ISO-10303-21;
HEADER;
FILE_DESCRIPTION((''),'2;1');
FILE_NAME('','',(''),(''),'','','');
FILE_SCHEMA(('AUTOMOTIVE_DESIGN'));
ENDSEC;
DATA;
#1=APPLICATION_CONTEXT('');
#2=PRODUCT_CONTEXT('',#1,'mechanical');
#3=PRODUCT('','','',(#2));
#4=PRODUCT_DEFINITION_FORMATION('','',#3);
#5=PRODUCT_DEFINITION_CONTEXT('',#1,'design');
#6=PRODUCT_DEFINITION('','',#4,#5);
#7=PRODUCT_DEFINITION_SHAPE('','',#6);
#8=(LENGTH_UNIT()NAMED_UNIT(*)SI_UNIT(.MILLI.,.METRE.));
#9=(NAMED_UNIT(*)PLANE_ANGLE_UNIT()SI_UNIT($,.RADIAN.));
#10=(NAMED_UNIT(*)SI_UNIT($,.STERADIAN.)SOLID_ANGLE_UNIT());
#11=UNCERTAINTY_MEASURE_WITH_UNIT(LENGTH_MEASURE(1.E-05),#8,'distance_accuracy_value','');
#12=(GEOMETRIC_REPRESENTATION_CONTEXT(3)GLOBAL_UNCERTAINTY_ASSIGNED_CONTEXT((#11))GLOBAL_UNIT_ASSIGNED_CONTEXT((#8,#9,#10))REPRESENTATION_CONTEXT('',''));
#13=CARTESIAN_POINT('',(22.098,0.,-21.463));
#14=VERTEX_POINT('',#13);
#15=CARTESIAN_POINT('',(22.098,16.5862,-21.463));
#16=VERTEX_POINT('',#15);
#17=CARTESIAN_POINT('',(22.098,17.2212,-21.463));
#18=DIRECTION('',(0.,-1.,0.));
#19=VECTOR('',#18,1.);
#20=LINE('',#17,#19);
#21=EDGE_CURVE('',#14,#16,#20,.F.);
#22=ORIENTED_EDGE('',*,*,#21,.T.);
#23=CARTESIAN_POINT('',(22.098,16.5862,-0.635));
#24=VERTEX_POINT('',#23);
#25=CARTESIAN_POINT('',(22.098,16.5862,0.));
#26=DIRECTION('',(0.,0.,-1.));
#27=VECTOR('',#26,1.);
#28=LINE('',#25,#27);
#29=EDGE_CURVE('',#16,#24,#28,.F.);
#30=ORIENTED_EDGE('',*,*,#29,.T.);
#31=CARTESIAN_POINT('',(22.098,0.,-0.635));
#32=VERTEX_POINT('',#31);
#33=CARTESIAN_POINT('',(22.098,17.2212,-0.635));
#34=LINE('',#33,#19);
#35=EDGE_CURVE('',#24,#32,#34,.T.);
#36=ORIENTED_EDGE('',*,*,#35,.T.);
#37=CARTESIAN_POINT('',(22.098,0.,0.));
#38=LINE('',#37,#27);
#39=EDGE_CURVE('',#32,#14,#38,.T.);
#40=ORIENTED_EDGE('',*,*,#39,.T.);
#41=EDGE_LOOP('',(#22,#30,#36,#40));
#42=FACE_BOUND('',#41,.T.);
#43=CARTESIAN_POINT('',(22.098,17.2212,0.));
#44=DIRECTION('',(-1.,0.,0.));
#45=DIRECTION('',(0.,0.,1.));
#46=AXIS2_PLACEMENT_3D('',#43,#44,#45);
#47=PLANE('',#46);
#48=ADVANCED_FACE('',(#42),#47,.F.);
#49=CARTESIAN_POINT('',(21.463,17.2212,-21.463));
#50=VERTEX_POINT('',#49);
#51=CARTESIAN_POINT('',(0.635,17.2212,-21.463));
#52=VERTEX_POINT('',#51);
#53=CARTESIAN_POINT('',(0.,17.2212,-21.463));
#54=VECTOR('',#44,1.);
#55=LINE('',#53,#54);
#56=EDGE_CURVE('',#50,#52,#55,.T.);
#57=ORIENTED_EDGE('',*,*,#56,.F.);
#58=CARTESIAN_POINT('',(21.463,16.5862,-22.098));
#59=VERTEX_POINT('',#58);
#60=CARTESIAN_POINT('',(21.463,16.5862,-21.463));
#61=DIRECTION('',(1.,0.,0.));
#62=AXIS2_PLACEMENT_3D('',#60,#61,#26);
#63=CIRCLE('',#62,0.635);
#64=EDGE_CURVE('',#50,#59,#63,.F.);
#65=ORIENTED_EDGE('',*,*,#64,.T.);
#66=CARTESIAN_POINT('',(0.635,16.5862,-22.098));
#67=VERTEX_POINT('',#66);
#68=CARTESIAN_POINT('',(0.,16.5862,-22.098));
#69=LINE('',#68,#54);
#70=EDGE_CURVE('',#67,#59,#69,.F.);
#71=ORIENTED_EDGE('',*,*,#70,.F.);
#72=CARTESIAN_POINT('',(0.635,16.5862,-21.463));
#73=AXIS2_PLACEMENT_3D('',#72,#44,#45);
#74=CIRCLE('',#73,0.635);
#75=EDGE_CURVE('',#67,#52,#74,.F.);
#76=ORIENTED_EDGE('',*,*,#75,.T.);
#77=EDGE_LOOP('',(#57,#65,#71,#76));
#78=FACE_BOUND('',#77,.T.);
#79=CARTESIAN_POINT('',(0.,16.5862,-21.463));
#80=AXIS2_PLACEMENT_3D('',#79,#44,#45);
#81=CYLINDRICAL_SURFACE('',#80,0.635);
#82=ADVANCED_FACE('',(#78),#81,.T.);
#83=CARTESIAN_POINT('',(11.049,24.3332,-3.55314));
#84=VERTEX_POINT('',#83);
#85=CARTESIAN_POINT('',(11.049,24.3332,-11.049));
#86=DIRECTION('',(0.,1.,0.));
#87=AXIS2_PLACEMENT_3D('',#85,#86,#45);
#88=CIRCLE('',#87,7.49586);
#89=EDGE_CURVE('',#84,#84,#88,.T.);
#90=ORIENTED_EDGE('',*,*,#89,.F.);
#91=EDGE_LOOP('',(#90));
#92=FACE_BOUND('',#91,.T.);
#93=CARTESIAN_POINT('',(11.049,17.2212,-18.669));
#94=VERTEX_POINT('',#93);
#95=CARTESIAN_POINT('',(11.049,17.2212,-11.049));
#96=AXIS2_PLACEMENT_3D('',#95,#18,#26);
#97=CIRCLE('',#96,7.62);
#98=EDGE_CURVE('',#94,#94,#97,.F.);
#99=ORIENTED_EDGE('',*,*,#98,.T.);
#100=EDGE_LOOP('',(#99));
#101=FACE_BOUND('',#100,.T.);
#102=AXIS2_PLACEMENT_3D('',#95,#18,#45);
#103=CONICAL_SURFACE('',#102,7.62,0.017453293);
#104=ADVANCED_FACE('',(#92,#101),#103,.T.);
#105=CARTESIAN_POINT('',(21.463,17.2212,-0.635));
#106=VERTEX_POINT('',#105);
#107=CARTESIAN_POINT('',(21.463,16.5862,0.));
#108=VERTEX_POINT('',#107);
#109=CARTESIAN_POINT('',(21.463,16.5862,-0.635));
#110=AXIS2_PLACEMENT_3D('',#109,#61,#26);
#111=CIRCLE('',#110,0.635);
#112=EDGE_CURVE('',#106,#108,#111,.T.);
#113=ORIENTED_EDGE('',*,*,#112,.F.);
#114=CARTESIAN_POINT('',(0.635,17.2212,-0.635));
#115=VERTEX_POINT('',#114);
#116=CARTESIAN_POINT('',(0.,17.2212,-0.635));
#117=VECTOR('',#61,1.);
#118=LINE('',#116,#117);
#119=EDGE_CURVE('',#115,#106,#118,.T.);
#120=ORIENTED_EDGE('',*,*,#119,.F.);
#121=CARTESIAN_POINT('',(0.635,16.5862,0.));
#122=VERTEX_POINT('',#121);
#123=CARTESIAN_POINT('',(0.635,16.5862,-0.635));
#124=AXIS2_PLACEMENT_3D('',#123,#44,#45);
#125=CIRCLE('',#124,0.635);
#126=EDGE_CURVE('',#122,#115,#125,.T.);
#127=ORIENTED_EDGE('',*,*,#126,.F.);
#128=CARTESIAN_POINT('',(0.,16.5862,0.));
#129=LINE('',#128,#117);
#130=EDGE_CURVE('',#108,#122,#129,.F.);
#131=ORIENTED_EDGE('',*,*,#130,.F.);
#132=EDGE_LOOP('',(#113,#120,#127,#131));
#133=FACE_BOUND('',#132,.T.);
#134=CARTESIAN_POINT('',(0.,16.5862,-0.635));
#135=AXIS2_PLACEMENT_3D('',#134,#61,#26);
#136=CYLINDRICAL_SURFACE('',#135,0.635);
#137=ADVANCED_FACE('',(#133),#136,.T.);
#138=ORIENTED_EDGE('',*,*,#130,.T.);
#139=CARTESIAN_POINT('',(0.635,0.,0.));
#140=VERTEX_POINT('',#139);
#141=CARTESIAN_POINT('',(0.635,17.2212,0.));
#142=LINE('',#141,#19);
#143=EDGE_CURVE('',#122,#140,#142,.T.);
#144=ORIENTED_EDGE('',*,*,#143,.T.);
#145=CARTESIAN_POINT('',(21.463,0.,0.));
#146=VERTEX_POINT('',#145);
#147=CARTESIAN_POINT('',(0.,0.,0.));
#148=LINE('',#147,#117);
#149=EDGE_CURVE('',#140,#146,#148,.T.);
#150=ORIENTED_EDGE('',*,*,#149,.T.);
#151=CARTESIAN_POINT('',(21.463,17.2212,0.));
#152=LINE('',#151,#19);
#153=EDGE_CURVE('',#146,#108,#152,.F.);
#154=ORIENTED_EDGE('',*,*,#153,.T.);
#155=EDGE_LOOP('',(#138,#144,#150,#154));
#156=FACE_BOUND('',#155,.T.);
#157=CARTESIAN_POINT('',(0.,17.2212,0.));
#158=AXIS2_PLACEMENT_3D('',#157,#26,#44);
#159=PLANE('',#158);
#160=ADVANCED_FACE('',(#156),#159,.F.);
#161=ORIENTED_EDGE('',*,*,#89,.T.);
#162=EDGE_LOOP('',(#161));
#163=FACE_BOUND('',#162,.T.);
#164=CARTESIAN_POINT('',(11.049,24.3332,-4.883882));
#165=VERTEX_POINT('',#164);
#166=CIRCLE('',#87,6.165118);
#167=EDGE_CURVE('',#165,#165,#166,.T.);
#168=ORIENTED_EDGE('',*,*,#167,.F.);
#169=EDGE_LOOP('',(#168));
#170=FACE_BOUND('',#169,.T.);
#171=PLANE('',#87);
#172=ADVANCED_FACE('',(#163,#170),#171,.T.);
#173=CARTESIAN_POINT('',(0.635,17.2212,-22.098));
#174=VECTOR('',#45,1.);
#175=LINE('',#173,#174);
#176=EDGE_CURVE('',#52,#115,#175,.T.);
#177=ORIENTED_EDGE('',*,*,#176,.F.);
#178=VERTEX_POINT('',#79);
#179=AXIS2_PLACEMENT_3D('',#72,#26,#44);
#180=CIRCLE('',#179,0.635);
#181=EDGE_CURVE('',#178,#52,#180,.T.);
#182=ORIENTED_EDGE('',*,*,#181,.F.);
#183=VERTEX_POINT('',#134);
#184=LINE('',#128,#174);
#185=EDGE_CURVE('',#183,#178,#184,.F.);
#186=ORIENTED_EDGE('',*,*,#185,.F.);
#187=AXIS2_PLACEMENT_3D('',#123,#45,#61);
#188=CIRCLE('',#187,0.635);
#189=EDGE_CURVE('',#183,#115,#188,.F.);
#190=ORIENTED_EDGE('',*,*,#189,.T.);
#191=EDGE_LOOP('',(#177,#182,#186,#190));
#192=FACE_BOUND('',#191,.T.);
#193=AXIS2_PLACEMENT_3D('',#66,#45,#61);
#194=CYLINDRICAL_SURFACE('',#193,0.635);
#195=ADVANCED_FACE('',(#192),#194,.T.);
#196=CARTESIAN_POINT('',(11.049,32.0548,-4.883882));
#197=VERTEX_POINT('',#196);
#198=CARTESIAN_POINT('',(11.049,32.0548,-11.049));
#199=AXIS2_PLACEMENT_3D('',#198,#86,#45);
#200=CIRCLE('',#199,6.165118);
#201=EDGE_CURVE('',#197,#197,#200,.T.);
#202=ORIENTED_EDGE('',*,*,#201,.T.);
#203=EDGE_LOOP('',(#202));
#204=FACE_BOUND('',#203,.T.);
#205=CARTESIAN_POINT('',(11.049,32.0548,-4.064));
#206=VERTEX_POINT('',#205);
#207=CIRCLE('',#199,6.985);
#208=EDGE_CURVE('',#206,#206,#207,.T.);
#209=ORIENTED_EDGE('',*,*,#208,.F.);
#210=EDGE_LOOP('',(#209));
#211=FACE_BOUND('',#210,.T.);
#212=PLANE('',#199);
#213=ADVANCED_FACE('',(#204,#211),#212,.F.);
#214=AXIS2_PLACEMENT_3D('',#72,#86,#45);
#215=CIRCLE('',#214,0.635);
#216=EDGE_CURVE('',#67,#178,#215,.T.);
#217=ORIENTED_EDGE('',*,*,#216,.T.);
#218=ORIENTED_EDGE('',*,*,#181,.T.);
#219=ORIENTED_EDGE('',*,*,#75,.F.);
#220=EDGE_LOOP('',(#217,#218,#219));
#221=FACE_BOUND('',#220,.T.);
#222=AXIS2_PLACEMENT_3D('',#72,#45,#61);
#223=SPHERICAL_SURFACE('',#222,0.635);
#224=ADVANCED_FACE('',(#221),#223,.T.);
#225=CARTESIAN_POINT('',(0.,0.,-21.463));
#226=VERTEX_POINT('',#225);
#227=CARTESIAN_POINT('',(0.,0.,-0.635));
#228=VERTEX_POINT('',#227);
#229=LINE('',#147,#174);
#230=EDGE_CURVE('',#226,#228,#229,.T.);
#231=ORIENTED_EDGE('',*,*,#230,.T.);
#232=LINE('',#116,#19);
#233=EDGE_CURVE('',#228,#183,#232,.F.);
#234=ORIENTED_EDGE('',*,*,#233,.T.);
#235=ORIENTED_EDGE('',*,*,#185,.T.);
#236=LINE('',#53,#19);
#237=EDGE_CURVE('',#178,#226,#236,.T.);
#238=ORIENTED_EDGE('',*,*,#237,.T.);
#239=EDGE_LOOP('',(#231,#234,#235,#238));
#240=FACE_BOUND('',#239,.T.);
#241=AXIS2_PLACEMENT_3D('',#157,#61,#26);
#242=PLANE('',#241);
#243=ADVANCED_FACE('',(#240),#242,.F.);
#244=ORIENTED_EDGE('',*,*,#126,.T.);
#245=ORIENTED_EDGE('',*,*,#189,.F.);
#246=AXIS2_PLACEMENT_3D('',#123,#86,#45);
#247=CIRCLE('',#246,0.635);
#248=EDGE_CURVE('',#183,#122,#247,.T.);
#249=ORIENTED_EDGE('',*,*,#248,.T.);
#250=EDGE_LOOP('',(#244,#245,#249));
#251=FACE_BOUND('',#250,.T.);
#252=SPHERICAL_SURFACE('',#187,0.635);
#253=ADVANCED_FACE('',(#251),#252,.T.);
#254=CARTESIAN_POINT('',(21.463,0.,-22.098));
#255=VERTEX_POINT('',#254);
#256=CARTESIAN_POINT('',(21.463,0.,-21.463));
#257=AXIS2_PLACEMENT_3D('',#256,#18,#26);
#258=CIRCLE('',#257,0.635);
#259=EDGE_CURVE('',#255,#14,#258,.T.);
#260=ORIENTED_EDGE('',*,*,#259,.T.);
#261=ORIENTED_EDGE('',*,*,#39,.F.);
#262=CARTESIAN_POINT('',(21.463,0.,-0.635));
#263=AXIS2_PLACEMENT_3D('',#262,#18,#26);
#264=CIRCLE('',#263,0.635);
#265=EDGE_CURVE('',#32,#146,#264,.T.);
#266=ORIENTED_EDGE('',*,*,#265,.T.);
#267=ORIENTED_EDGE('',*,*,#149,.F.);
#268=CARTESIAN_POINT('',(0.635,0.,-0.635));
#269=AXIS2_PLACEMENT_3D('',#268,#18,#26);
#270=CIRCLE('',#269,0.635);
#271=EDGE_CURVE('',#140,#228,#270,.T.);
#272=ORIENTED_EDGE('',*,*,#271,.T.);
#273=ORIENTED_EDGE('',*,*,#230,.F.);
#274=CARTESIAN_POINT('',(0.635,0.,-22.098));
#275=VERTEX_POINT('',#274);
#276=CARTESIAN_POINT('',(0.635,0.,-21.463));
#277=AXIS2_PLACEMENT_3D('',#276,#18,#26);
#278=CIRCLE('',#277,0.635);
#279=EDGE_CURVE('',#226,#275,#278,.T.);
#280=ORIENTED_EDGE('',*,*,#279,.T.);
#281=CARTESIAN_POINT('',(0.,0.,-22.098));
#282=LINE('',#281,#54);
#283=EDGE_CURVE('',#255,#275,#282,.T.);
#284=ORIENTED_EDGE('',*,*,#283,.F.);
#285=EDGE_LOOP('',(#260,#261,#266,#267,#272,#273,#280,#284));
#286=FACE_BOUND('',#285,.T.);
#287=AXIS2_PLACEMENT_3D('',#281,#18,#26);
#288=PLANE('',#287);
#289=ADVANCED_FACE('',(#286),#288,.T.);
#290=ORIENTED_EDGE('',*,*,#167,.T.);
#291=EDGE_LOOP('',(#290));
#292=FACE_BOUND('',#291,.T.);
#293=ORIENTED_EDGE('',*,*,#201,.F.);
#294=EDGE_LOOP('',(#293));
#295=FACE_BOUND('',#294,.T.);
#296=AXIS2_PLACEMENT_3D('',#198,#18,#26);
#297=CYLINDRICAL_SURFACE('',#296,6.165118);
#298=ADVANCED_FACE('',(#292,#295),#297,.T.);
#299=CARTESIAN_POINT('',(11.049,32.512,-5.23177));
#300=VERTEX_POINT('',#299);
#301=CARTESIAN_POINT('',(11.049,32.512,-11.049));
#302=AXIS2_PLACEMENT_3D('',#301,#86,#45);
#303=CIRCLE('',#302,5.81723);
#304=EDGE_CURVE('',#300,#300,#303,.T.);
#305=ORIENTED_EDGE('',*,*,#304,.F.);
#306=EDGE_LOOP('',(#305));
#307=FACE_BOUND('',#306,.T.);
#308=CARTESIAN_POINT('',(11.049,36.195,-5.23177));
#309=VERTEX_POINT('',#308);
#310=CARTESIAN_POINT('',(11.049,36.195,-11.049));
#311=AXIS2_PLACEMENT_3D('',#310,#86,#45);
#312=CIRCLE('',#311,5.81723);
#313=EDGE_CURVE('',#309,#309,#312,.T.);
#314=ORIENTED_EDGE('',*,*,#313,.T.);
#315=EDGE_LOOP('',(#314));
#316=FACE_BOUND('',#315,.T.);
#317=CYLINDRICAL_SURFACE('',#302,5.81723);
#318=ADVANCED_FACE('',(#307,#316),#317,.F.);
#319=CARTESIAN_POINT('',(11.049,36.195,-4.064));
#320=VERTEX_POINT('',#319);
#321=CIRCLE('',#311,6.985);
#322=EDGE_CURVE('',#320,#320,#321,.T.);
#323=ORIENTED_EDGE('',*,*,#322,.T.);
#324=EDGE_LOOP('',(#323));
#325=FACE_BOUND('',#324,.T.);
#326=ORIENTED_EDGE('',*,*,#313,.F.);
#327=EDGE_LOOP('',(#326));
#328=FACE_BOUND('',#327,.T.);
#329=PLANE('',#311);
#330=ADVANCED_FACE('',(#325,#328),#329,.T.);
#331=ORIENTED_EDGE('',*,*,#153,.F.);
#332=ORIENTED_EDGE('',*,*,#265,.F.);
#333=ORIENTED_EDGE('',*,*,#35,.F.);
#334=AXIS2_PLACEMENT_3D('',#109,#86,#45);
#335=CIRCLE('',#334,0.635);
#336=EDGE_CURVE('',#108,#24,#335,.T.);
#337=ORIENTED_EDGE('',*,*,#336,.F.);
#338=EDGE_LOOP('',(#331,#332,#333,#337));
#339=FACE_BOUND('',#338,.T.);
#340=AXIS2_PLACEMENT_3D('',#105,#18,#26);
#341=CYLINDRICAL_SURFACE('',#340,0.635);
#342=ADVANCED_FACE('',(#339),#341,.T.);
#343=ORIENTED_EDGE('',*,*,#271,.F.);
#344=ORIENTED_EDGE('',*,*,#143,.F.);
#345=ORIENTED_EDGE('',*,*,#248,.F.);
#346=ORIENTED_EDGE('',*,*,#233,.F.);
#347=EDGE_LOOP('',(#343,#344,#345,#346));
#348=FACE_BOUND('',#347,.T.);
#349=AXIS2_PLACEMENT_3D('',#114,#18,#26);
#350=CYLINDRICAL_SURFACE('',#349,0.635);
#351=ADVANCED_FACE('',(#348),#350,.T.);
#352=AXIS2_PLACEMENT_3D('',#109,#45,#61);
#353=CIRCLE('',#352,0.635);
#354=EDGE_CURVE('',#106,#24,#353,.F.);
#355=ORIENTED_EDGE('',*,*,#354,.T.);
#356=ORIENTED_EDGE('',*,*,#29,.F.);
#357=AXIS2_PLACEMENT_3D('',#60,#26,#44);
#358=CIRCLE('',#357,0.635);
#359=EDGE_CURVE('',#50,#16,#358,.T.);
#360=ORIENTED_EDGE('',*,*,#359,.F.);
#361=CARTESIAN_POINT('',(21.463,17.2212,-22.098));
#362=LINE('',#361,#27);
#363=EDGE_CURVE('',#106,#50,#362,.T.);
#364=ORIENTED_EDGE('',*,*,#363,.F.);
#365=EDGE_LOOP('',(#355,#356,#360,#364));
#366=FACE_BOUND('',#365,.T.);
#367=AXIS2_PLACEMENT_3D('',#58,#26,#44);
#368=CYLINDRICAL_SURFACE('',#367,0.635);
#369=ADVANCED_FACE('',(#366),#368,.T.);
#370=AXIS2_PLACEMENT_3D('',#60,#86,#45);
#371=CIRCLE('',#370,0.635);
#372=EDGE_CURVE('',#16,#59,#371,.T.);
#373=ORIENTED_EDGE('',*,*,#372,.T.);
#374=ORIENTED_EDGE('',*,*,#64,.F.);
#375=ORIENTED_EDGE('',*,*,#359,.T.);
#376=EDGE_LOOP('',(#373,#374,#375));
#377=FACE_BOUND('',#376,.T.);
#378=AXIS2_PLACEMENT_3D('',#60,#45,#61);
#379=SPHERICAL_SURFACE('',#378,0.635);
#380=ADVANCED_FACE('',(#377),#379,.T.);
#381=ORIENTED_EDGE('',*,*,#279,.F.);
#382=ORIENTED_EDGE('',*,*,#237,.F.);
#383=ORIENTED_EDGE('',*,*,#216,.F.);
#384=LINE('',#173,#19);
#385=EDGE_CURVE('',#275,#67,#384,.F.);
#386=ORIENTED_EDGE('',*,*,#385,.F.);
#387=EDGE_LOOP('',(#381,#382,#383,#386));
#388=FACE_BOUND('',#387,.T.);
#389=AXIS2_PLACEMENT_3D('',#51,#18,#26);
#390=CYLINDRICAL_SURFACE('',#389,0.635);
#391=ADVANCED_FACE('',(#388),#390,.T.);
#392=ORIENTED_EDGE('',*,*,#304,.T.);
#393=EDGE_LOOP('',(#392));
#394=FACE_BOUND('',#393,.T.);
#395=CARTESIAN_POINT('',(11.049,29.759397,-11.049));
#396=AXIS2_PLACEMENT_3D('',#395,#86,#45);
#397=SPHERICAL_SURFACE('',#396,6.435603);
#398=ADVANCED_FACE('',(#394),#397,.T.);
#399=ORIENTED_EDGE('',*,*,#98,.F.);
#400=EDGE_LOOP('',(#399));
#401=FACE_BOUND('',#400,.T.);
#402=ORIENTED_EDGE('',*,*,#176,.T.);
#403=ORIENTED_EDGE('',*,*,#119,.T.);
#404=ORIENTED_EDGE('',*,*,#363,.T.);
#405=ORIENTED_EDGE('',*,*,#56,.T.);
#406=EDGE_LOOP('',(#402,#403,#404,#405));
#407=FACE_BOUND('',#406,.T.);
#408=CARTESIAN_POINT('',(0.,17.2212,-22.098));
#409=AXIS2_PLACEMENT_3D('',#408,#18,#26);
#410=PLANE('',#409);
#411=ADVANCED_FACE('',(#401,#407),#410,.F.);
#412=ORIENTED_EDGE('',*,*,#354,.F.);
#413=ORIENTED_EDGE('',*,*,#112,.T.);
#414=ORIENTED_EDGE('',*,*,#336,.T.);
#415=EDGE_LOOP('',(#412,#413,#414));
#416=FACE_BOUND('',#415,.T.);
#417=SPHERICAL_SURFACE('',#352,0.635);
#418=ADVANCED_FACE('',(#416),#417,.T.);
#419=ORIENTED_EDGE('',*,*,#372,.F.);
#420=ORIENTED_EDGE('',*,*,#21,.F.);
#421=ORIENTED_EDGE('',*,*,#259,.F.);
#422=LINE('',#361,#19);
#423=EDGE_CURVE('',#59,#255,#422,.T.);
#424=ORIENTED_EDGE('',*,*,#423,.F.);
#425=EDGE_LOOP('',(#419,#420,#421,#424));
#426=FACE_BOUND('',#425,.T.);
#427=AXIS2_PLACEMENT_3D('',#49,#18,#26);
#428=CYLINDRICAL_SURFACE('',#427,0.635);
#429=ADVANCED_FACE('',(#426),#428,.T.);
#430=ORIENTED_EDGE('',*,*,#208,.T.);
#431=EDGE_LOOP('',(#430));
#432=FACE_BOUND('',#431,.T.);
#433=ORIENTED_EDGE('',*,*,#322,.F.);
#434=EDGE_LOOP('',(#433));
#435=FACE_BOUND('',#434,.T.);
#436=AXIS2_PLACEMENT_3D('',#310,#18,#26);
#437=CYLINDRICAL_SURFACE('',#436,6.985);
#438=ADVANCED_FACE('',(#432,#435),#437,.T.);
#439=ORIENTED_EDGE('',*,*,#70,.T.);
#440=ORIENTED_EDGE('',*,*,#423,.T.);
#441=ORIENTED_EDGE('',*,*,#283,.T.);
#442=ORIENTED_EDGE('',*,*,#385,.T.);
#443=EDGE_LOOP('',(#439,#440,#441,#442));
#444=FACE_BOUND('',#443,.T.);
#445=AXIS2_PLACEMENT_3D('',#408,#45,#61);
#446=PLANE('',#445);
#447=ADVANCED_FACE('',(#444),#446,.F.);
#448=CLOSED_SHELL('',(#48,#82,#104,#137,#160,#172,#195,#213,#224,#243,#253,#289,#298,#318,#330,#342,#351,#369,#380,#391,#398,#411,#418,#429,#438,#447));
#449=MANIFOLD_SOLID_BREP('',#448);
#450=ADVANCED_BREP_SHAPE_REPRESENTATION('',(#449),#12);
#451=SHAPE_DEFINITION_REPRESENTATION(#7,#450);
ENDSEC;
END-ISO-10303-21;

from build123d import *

# Parameters (mm, degrees)
SKETCH1_W         = 22.098
SKETCH1_H         = 22.098
EXTRUDE1_DEPTH    = 17.2212
FILLET1_R         = 0.635
SKETCH2_R         = 7.62
EXTRUDE2_DEPTH    = 7.112
EXTRUDE2_TAPER    = 1
SKETCH3_R         = 6.165117765
EXTRUDE3_DEPTH    = 7.7216
SKETCH4_R         = 6.985
EXTRUDE4_DEPTH    = 4.1402
SKETCH5_R         = 5.817229734
EXTRUDE5_DEPTH    = 3.683
DOME1_FACE_RADIUS = 5.817229734
DOME1_HEIGHT      = 3.683


with BuildPart() as part:
    # Sketch1 → Extrude1 (new body)
    with BuildSketch(Plane(origin=(0, 0, 0), x_dir=(1, 0, 0), z_dir=(0, 1, 0))):
        with Locations((11.049, 11.049)):
            Rectangle(SKETCH1_W, SKETCH1_H)
    extrude(amount=EXTRUDE1_DEPTH)

    # Fillet1
    fillet1_edges = [part.edges().sort_by_distance(p)[0] for p in [
        (22.098, 17.2212, -11.049),
        (11.049, 17.2212, -22.098),
        (0, 17.2212, -11.049),
        (11.049, 17.2212, 0),
        (0, 8.6106, -22.098),
        (22.098, 8.6106, -22.098),
        (22.098, 8.6106, 0),
        (0, 8.6106, 0),
    ]]
    fillet(fillet1_edges, radius=FILLET1_R)

    # Sketch2 → Extrude2 (add)
    with BuildSketch(Plane(origin=(0, 17.2212, 0), x_dir=(1, 0, 0), z_dir=(0, 1, 0))):
        with Locations((11.049, 11.049)):
            Circle(SKETCH2_R)
    extrude(amount=EXTRUDE2_DEPTH, taper=EXTRUDE2_TAPER)

    # Sketch3 → Extrude3 (add)
    with BuildSketch(Plane(origin=(0, 24.3332, 0), x_dir=(1, 0, 0), z_dir=(0, 1, 0))):
        with Locations((11.049, 11.049)):
            Circle(SKETCH3_R)
    extrude(amount=EXTRUDE3_DEPTH)

    # Sketch4 → Extrude4 (add)
    with BuildSketch(Plane(origin=(0, 32.0548, 0), x_dir=(1, 0, 0), z_dir=(0, 1, 0))):
        with Locations((11.049, 11.049)):
            Circle(SKETCH4_R)
    extrude(amount=EXTRUDE4_DEPTH)

    # Sketch5 → Extrude5 (cut)
    with BuildSketch(Plane(origin=(0, 36.195, 0), x_dir=(1, 0, 0), z_dir=(0, 1, 0))):
        with Locations((11.049, 11.049)):
            Circle(SKETCH5_R)
    extrude(amount=-EXTRUDE5_DEPTH, mode=Mode.SUBTRACT)

    # Dome1: a dome of height H over a round flat face of radius A is a cap of a sphere of radius (A * A + H * H) / (2 * H)
    dome1_r = (DOME1_FACE_RADIUS * DOME1_FACE_RADIUS + DOME1_HEIGHT * DOME1_HEIGHT) / (2 * DOME1_HEIGHT)
    dome1_base = Plane((11.049, 32.512, -11.049), z_dir=(0, 1, 0))
    with Locations(dome1_base.offset(DOME1_HEIGHT - dome1_r)):
        dome1_ball = Sphere(dome1_r, mode=Mode.PRIVATE)
    add(split(dome1_ball, bisect_by=dome1_base, keep=Keep.TOP, mode=Mode.PRIVATE))


solid = part.part
